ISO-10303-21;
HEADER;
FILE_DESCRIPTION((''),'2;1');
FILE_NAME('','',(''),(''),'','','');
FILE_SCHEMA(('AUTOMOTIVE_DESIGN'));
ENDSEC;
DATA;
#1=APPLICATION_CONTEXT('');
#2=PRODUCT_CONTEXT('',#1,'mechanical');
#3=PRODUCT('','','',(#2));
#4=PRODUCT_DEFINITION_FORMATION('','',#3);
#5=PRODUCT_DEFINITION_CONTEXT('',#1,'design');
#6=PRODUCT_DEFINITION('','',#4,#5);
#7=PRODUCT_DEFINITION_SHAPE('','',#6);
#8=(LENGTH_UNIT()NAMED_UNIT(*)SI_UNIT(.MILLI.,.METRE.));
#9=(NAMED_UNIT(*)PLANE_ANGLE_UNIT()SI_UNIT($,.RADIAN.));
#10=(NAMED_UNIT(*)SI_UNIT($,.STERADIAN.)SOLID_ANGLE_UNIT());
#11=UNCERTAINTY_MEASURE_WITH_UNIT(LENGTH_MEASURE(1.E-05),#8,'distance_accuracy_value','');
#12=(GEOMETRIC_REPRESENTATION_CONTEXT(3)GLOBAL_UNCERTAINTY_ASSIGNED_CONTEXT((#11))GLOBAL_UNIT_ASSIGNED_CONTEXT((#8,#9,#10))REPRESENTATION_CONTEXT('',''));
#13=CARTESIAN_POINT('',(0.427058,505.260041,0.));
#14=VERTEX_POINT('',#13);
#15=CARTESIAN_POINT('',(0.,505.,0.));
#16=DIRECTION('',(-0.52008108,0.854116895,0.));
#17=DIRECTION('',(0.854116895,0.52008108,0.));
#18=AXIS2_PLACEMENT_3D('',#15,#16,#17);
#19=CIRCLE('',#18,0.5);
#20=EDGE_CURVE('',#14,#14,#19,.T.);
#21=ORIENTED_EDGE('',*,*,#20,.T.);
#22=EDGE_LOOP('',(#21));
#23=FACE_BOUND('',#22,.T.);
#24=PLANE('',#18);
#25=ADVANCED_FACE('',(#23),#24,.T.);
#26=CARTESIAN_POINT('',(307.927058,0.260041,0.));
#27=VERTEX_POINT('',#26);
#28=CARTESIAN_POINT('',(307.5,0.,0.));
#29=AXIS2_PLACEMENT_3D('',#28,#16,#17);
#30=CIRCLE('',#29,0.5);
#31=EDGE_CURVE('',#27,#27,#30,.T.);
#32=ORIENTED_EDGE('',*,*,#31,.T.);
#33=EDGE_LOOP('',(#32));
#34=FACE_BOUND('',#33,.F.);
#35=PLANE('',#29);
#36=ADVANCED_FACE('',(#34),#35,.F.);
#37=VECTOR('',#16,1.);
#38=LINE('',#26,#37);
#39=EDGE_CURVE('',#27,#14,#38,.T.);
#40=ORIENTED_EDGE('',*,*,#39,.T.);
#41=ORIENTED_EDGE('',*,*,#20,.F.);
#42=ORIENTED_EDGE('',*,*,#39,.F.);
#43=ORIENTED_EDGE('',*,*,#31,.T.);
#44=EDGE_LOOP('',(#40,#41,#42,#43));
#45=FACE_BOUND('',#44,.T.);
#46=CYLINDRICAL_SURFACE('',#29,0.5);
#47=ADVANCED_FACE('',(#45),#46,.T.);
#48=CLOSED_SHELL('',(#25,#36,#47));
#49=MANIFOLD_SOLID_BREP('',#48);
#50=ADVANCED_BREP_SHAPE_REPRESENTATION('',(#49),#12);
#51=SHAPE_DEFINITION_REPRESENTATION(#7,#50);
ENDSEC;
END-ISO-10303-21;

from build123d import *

# Parameters (mm, degrees)
SWEEP_1_PROFILE_R = 0.5


with BuildPart() as part:
    # 扫描1: sweep along a path in 草图2
    with BuildLine(Plane.XY) as sweep_1_path:
        Line((307.5, 0), (0, 505))
    # 扫描1 profile (on start of the path) → 扫描1 (sweep)
    with BuildSketch(Plane(origin=(307.5, 0, 0), x_dir=(0.854116895, 0.52008108, 0), z_dir=(-0.52008108, 0.854116895, 0))):
        Circle(SWEEP_1_PROFILE_R)
    sweep(path=sweep_1_path.line)


solid = part.part
